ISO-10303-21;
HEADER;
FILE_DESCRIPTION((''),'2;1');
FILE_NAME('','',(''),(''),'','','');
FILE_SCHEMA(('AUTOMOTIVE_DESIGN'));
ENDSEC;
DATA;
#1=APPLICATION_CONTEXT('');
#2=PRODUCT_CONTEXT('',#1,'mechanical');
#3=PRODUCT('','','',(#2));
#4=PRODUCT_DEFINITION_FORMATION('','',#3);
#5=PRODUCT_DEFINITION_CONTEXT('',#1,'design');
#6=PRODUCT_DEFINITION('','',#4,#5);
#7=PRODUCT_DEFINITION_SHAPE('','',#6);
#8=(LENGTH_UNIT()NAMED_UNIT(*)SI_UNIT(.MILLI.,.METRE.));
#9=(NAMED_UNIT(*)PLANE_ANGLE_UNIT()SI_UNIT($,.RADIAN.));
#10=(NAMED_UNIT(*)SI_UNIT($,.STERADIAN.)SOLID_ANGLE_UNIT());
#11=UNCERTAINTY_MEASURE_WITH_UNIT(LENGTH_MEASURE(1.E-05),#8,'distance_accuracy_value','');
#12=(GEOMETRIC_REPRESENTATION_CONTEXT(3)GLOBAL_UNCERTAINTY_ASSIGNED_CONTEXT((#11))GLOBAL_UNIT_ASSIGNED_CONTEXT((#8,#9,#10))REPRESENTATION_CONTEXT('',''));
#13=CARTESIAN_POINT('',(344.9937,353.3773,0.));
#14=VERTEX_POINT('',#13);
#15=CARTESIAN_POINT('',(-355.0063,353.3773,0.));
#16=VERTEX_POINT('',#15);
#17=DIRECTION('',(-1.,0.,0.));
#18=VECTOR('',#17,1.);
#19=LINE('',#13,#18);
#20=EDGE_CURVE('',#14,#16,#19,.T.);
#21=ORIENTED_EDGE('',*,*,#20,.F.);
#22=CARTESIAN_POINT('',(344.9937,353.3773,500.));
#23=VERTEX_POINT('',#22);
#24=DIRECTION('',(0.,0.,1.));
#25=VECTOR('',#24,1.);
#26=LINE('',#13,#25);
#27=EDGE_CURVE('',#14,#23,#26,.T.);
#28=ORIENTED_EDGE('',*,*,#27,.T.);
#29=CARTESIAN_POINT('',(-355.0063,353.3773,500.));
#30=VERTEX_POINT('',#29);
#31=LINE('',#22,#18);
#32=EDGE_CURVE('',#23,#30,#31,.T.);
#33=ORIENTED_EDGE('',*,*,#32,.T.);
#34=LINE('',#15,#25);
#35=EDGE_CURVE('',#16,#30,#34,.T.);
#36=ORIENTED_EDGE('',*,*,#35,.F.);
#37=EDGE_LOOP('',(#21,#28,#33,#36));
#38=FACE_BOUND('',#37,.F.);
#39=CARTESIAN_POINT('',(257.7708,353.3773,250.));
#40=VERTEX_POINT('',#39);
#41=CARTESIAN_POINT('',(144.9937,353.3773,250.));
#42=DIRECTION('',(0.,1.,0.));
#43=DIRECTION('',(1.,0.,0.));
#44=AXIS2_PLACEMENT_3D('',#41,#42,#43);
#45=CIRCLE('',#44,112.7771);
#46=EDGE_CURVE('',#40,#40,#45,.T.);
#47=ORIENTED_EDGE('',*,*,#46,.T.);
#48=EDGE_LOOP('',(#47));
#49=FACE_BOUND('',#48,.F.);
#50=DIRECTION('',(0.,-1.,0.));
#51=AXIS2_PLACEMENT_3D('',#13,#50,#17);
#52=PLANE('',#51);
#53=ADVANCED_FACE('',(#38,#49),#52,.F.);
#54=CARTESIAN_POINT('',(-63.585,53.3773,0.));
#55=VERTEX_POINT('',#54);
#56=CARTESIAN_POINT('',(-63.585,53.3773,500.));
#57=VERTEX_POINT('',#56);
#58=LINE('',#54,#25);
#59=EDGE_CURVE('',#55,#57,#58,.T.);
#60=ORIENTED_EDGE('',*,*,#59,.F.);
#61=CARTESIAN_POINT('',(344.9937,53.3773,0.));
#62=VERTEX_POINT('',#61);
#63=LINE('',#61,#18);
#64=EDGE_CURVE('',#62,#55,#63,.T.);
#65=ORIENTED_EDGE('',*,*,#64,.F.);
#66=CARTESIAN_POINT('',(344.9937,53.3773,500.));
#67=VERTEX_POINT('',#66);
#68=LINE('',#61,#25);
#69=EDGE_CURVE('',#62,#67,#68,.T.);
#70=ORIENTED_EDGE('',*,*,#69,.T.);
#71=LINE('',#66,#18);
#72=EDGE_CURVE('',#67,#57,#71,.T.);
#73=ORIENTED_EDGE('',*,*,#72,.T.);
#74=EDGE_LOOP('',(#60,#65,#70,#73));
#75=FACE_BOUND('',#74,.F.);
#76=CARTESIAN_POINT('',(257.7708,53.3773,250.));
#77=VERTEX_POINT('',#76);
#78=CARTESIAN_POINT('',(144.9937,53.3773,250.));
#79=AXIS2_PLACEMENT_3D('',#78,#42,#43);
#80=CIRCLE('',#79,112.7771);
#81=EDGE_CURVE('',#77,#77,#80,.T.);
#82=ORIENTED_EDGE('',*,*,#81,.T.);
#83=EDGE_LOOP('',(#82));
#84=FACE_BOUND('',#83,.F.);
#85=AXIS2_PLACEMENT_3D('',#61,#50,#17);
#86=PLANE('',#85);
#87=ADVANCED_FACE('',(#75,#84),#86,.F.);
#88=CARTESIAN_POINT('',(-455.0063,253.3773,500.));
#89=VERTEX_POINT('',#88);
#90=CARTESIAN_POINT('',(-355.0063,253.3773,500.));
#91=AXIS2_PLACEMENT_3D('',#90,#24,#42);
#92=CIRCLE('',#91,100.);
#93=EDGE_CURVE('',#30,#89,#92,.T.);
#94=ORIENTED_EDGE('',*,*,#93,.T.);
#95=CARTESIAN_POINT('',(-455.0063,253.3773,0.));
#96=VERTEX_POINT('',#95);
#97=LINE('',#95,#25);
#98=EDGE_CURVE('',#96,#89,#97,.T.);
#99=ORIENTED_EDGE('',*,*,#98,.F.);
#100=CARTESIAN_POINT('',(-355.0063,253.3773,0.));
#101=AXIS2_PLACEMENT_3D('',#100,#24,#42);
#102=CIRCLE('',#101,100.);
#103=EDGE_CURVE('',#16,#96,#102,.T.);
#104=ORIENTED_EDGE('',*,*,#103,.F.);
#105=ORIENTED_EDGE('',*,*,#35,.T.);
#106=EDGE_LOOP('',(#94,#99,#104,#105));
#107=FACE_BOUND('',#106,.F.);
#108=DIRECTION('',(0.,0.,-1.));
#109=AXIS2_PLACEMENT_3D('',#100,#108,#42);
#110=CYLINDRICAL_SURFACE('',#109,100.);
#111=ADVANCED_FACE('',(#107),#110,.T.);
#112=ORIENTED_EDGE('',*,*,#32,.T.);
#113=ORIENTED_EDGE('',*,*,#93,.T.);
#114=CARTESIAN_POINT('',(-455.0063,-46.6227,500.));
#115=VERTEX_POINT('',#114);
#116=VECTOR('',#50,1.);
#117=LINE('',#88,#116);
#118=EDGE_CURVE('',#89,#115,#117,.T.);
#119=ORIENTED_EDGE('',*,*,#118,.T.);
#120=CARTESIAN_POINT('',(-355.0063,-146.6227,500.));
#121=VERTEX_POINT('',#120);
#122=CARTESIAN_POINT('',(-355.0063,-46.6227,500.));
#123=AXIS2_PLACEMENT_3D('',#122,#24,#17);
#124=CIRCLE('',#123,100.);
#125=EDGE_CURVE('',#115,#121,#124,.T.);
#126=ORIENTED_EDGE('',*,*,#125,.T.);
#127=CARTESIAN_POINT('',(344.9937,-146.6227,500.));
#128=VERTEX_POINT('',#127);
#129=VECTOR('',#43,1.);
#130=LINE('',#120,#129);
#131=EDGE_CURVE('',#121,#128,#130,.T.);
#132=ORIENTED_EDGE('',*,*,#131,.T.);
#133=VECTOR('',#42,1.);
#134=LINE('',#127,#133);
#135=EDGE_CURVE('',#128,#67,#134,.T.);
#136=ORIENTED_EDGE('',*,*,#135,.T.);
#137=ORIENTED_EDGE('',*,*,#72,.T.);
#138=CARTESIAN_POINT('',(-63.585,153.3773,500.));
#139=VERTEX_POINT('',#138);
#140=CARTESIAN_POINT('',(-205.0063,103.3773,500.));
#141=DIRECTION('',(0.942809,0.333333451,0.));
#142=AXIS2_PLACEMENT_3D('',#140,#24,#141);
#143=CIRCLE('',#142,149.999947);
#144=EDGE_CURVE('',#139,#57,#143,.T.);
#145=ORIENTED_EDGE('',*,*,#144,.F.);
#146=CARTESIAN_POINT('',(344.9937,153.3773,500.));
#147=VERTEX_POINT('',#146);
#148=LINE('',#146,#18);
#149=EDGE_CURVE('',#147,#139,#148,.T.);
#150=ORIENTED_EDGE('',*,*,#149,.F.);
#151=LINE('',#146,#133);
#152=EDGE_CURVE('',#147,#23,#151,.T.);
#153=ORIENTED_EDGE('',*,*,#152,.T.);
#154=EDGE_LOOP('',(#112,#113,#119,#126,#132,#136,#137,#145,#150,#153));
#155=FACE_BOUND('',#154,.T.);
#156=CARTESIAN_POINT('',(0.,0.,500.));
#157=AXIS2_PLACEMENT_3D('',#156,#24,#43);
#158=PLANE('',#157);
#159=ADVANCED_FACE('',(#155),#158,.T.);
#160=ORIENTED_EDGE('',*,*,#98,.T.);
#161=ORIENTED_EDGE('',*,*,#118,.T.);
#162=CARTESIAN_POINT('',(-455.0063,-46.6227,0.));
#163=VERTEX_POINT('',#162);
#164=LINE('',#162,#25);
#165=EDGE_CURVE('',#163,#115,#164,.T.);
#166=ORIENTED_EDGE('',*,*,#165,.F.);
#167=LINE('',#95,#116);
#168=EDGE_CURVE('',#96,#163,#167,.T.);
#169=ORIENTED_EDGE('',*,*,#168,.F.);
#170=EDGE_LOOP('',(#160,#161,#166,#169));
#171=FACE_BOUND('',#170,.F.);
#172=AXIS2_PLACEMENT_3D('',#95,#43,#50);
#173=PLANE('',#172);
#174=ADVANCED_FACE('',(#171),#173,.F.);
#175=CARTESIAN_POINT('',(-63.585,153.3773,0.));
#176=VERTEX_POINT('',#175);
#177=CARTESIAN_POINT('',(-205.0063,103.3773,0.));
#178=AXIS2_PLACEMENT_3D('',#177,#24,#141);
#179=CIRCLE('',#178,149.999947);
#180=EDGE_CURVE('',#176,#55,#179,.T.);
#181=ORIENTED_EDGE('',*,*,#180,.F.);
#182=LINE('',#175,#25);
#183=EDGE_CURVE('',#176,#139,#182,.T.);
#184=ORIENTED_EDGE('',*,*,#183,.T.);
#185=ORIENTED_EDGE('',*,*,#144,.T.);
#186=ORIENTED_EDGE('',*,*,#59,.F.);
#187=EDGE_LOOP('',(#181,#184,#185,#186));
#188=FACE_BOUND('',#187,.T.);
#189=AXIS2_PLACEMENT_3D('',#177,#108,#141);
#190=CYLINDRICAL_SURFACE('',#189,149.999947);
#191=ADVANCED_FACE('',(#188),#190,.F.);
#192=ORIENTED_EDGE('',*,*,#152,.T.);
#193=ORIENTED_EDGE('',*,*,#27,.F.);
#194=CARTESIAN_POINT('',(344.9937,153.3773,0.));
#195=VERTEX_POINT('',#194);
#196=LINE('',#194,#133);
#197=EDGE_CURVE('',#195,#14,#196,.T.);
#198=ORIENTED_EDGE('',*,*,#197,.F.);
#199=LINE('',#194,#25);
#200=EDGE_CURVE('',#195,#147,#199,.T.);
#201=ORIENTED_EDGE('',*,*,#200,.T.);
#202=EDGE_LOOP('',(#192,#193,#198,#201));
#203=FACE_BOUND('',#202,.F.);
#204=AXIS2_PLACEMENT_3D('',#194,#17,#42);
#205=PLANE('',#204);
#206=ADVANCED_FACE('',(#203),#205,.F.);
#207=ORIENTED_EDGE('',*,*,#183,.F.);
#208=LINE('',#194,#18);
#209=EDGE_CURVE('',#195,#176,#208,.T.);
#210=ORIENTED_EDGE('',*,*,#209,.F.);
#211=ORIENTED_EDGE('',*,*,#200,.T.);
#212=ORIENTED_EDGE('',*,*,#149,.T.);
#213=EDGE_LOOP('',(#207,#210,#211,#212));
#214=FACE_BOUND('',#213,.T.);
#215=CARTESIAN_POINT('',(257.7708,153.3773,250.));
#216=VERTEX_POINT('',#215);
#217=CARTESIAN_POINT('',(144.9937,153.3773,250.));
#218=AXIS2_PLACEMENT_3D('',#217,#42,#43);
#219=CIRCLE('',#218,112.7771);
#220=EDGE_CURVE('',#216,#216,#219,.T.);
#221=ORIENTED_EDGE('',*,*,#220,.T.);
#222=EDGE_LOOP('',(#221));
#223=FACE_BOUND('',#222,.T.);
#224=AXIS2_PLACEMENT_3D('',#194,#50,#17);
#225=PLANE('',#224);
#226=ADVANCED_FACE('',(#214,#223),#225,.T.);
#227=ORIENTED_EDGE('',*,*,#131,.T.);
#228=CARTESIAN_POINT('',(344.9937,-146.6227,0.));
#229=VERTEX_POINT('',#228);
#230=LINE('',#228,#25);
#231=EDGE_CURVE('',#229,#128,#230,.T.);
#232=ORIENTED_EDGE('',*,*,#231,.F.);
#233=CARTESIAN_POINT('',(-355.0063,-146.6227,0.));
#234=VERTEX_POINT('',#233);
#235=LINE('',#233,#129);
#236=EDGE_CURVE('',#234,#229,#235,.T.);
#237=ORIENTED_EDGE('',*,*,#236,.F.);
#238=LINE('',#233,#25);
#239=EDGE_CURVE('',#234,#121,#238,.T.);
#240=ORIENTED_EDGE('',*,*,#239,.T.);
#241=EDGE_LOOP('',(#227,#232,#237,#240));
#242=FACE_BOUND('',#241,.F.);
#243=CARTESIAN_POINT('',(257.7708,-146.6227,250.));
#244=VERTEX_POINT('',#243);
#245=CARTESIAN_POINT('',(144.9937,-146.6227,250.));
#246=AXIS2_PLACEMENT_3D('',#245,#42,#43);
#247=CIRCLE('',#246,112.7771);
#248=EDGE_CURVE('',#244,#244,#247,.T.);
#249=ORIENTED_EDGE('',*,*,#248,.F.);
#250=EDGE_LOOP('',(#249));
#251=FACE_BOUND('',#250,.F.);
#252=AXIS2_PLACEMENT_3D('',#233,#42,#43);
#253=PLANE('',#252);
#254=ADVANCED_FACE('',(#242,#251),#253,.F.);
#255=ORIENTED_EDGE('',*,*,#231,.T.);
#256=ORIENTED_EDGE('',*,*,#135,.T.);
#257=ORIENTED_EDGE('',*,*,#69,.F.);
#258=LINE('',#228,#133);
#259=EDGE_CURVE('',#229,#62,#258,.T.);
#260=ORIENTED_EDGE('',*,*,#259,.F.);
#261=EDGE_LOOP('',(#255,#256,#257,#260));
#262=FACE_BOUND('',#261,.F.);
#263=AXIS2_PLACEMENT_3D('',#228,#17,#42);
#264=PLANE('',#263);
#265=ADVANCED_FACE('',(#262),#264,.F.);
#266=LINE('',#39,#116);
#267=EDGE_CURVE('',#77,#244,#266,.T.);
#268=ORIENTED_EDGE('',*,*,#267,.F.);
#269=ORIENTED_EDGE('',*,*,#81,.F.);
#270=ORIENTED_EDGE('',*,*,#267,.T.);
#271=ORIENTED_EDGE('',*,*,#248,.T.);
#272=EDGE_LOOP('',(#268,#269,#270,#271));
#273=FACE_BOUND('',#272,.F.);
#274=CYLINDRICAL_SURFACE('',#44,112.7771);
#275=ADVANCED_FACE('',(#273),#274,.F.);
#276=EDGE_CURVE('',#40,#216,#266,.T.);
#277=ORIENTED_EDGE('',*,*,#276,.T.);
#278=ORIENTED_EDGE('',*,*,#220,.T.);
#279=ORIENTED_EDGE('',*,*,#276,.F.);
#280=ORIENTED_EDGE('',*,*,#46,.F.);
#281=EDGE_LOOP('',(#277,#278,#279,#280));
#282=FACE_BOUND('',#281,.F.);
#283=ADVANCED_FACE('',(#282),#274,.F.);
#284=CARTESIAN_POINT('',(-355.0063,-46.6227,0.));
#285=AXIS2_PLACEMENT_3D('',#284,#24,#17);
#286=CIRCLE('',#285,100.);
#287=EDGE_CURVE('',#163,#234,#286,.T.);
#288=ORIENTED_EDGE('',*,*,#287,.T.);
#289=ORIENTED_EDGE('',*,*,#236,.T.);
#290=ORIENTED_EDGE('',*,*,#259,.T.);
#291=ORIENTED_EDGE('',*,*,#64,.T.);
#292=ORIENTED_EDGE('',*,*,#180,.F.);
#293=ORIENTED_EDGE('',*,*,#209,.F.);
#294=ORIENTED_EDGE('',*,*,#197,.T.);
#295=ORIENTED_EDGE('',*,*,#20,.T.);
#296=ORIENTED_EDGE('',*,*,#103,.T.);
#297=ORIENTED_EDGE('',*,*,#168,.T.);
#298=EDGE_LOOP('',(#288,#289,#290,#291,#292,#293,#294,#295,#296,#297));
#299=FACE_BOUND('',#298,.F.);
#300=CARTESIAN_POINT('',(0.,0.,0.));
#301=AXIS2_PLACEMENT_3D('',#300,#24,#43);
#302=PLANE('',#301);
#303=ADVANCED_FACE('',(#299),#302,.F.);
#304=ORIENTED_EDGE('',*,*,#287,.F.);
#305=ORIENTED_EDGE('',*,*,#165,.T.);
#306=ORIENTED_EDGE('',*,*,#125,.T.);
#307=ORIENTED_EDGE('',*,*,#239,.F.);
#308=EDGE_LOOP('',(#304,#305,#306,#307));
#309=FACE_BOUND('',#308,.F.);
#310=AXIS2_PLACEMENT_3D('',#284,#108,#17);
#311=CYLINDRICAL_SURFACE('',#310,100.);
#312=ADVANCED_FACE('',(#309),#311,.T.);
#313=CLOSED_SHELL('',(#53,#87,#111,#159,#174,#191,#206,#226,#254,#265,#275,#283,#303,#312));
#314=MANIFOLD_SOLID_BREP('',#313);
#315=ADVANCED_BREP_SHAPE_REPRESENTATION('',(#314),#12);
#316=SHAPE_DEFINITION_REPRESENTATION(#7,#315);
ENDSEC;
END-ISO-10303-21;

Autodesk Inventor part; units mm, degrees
ref_plane "YZ Plane" through (0, 0, 0) normal (1, 0, 0) x (0, 1, 0)
ref_plane "XZ Plane" through (0, 0, 0) normal (0, 1, 0) x (-1, 0, 0)
ref_plane "XY Plane" through (0, 0, 0) normal (0, 0, 1) x (1, 0, 0)
sketch "Sketch1" plane through (0, 0, 0) normal (0, 0, 1) x (1, 0, 0)
  line L0 (344.9937, 353.3773) -> (-355.0063, 353.3773)
  line L1 (-455.0063, 253.3773) -> (-455.0063, -46.6227)
  line L2 (-355.0063, -146.6227) -> (344.9937, -146.6227)
  line L3 (344.9937, -146.6227) -> (344.9937, 53.3773)
  line L4 (344.9937, 153.3773) -> (344.9937, 353.3773)
  arc A0 (-63.585, 153.3773) -> (-63.585, 53.3773) centre (-205.0063, 103.3773) ccw
  line L5 (344.9937, 153.3773) -> (-63.585, 153.3773)
  line L6 (344.9937, 53.3773) -> (-63.585, 53.3773)
  arc A1 (-355.0063, 353.3773) -> (-455.0063, 253.3773) centre (-355.0063, 253.3773) ccw
  arc A2 (-455.0063, -46.6227) -> (-355.0063, -146.6227) centre (-355.0063, -46.6227) ccw
  point P0 (0, 0)
  point P1 (-455.0063, 353.3773)
  point P2 (-455.0063, -146.6227)
  dimension "d0" = 800
  dimension "d1" = 500
  dimension "d8" = 250
  dimension "d9" = 300
  dimension "d10" = 100
  dimension "d11" = 100
  dimension "d12" = 200
  dimension "d13" = 200
extrude "Extrusion1" add sketch "Sketch1" along normal blind 500
sketch "Sketch2" plane through (-355.0063, 353.3773, 0) normal (0, 1, 0) x (1, 0, 0)
  circle A0 centre (500, -250) radius 112.7771
  line L0 (700, -500) -> (0, -500) projected
  line L1 (700, 0) -> (700, -500) projected
  point P0 (355.0063, 0)
  dimension "d16" = 250
  dimension "d17" = 200
extrude "Extrusion2" cut sketch "Sketch2" against normal blind 700
properties part number "BT15_Klemme"
